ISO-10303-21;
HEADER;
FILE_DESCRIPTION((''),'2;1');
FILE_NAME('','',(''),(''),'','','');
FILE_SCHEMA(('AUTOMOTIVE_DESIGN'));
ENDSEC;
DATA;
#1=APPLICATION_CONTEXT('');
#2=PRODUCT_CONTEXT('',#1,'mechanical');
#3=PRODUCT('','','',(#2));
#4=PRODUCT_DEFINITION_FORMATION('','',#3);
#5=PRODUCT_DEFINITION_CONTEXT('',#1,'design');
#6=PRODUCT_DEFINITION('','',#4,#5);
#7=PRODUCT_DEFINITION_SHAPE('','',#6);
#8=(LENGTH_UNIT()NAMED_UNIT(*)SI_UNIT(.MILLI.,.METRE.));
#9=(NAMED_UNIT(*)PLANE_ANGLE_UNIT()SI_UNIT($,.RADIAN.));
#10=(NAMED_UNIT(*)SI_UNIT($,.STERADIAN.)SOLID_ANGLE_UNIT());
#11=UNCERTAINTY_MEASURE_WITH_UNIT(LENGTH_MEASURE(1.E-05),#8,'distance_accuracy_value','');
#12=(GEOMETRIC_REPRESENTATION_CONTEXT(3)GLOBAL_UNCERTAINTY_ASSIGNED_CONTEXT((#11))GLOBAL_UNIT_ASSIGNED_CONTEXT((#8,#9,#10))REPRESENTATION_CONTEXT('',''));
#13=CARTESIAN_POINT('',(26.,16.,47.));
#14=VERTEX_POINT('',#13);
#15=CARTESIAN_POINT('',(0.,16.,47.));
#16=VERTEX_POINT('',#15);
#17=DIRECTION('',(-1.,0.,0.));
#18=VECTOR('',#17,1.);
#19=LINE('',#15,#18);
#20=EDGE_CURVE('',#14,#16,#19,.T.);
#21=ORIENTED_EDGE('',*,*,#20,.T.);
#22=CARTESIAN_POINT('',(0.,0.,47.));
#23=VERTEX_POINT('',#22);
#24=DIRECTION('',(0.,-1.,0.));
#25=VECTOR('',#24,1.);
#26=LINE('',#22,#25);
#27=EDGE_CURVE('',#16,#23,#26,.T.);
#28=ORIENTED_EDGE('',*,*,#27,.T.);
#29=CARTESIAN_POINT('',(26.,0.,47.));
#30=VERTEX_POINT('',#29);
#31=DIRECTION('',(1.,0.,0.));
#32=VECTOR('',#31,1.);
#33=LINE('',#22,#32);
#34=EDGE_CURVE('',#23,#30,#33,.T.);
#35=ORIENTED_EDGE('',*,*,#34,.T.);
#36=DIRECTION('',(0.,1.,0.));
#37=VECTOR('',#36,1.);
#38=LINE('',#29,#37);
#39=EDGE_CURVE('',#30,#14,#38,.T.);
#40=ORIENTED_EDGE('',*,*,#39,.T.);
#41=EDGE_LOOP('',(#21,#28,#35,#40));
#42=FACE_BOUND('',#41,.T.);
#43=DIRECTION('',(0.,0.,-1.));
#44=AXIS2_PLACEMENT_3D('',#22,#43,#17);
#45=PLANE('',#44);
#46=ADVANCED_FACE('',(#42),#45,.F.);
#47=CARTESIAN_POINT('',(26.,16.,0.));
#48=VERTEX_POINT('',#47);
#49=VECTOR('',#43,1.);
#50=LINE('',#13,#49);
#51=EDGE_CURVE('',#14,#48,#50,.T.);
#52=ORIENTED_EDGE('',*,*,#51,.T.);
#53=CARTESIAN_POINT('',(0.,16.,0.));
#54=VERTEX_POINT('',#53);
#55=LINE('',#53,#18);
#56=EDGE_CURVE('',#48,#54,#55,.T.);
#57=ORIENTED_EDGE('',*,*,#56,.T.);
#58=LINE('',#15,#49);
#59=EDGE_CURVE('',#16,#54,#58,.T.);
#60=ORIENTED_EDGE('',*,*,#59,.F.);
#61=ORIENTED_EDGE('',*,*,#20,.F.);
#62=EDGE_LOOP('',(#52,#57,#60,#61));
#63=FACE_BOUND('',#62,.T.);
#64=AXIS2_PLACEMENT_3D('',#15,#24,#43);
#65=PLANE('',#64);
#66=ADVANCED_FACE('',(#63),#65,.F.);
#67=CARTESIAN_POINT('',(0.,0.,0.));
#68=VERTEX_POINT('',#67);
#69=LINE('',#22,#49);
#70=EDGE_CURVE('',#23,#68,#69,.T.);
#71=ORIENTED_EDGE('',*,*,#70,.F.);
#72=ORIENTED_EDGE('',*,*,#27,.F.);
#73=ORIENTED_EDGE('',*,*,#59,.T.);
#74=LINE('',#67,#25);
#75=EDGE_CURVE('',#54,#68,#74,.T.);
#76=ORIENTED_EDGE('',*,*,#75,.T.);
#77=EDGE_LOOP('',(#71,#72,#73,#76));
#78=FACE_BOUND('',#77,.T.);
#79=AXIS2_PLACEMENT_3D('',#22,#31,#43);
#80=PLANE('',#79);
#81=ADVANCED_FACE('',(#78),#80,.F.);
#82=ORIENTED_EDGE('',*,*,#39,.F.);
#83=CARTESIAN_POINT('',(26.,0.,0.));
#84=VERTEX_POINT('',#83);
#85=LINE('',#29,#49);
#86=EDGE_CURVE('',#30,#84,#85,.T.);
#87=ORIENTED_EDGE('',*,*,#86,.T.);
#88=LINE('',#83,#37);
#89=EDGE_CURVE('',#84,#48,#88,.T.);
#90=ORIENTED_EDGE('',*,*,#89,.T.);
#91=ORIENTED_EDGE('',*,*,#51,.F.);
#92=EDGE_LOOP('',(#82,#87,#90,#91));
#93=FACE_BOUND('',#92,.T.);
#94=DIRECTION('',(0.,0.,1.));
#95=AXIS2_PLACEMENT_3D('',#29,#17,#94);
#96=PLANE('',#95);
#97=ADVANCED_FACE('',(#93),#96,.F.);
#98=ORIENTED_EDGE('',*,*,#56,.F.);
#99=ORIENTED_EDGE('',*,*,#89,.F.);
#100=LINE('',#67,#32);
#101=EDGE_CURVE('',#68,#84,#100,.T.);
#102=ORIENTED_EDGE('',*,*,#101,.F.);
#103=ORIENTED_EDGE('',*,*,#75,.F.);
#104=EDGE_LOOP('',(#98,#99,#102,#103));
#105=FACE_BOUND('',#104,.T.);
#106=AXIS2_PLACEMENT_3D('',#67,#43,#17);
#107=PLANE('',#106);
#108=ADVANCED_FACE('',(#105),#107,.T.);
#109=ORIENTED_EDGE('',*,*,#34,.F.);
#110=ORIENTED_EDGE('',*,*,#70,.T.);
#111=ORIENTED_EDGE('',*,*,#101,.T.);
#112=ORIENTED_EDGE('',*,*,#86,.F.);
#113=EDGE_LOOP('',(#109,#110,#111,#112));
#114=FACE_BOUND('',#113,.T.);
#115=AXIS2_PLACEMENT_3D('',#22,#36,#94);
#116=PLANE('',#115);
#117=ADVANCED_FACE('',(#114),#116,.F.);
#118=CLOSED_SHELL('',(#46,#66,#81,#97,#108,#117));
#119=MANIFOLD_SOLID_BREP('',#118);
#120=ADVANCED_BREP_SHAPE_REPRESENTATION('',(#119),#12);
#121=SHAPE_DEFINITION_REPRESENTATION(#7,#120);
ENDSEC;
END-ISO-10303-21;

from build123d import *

# Parameters (mm, degrees)
ESQUISSE1_W        = 26
ESQUISSE1_H        = 16
BOSS_EXTRU_1_DEPTH = 47


with BuildPart() as part:
    # Esquisse1 → Boss.-Extru.1 (new body)
    with BuildSketch(Plane.XY):
        with Locations((13, 8)):
            Rectangle(ESQUISSE1_W, ESQUISSE1_H)
    extrude(amount=BOSS_EXTRU_1_DEPTH)


solid = part.part
